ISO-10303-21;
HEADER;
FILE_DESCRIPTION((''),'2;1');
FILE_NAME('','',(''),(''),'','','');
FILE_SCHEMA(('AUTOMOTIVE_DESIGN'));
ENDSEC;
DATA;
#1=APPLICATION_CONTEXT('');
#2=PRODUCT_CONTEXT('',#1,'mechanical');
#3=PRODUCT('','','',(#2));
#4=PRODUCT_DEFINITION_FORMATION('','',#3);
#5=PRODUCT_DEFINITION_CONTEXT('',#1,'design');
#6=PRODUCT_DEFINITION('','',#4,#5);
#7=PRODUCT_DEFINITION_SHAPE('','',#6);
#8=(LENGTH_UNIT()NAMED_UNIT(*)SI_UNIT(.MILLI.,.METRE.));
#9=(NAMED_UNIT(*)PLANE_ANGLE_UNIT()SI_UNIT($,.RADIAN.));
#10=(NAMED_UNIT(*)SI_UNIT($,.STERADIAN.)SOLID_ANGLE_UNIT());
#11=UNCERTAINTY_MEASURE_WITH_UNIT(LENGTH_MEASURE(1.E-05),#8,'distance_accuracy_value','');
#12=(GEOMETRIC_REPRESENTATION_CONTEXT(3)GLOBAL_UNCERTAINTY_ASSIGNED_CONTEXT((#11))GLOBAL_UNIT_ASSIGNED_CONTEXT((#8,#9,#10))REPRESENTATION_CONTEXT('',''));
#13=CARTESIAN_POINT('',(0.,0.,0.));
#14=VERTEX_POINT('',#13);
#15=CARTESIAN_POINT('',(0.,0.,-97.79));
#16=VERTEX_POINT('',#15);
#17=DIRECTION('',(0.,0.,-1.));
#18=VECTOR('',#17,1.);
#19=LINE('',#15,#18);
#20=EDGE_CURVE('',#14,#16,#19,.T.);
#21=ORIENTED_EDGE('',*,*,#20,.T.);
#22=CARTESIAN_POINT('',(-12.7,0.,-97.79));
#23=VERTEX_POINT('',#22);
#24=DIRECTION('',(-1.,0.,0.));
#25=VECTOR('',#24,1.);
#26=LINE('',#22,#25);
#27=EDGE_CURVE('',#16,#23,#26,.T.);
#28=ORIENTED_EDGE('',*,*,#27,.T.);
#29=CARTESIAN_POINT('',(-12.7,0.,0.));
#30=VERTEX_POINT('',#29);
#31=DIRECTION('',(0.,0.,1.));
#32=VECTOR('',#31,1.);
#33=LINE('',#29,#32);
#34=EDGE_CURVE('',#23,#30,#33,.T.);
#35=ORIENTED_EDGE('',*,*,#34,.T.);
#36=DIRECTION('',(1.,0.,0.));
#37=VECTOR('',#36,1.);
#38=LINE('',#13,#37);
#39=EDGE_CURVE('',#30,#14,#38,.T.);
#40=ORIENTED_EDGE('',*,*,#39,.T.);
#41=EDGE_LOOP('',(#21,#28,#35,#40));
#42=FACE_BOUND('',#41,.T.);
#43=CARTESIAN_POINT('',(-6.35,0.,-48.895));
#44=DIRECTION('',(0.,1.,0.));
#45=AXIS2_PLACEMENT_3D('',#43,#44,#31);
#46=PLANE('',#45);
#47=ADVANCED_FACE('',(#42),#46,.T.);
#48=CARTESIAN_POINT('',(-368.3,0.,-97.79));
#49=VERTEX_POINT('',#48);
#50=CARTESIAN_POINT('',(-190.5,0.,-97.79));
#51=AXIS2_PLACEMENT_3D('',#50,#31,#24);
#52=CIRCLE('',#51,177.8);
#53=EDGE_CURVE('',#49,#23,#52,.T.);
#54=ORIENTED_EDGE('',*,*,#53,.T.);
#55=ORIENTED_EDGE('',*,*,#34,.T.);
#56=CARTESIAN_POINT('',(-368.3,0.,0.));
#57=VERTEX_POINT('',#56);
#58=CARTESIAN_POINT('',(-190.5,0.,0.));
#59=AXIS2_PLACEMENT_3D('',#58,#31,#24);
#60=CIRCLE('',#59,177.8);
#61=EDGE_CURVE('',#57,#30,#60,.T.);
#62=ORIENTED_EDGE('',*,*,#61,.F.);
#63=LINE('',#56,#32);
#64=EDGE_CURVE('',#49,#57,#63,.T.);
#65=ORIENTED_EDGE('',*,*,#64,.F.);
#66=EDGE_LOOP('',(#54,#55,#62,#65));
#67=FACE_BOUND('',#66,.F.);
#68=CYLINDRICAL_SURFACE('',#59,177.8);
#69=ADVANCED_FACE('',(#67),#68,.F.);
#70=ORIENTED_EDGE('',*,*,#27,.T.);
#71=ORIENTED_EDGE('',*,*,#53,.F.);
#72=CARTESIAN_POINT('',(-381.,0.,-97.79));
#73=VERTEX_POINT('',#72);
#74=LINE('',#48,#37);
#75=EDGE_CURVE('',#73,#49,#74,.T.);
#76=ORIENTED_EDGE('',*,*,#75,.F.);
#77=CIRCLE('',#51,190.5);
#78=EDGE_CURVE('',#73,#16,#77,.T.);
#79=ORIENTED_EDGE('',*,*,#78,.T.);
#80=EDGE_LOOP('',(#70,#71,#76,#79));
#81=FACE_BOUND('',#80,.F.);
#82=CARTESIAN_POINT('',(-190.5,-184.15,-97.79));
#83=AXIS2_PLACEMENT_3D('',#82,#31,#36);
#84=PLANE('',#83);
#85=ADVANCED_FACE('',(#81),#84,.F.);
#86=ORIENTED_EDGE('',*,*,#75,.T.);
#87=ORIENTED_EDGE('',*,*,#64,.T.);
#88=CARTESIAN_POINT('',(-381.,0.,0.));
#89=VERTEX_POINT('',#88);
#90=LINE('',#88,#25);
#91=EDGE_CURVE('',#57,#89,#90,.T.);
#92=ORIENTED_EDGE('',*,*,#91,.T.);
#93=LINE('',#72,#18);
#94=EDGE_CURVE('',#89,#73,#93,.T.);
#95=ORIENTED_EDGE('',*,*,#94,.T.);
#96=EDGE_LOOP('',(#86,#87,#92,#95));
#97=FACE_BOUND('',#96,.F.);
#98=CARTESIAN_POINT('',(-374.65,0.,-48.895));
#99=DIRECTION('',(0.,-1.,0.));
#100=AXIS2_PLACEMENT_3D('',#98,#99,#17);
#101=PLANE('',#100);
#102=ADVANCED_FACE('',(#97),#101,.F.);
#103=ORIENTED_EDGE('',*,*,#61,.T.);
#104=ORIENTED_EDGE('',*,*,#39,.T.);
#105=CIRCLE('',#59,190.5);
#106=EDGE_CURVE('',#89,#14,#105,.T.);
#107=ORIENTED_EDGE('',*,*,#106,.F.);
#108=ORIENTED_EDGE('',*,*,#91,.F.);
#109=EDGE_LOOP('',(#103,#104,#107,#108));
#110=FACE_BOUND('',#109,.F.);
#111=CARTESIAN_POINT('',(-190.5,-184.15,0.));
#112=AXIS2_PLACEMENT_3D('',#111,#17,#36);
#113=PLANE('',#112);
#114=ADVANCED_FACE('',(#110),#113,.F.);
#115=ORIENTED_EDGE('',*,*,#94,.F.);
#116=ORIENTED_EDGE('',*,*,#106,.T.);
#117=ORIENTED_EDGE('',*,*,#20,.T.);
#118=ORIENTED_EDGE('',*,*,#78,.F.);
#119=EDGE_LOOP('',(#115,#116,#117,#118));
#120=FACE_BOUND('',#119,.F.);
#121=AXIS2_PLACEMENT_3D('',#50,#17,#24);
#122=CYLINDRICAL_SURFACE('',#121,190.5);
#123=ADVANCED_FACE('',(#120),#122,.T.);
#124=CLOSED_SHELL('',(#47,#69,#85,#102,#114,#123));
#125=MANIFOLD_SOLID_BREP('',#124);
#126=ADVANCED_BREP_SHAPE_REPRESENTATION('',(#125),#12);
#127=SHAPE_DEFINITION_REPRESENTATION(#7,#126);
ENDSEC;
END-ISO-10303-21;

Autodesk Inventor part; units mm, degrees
ref_plane "YZ Plane" through (0, 0, 0) normal (1, 0, 0) x (0, 1, 0)
ref_plane "XZ Plane" through (0, 0, 0) normal (0, 1, 0) x (-1, 0, 0)
ref_plane "XY Plane" through (0, 0, 0) normal (0, 0, 1) x (1, 0, 0)
sketch "Sketch2" plane through (0, 0, 0) normal (0, 1, 0) x (-1, 0, 0)
  line L0 (0, 0) -> (12.7, 0)
  line L1 (12.7, 0) -> (12.7, -97.79)
  line L2 (12.7, -97.79) -> (0, -97.79)
  line L3 (0, -97.79) -> (0, 0)
  line L4 (368.3, 0) -> (381, 0)
  line L5 (381, 0) -> (381, -97.79)
  line L6 (381, -97.79) -> (368.3, -97.79)
  line L7 (368.3, -97.79) -> (368.3, 0)
  dimension "d0" = 12.7
  dimension "d1" = 97.79
  dimension "d2" = 12.7
  dimension "d3" = 97.79
sketch "Sketch3" plane through (0, 0, 0) normal (0, 0, 1) x (1, 0, 0)
  arc A0 (-368.3, 0) -> (-12.7, 0) centre (-190.5, 0) ccw
  point P0 (0, 0)
sweep "Sweep1" add profiles "Sketch2" path "Sketch3"
equation "\"d1\" = d3"
properties part number "BallPath180"
